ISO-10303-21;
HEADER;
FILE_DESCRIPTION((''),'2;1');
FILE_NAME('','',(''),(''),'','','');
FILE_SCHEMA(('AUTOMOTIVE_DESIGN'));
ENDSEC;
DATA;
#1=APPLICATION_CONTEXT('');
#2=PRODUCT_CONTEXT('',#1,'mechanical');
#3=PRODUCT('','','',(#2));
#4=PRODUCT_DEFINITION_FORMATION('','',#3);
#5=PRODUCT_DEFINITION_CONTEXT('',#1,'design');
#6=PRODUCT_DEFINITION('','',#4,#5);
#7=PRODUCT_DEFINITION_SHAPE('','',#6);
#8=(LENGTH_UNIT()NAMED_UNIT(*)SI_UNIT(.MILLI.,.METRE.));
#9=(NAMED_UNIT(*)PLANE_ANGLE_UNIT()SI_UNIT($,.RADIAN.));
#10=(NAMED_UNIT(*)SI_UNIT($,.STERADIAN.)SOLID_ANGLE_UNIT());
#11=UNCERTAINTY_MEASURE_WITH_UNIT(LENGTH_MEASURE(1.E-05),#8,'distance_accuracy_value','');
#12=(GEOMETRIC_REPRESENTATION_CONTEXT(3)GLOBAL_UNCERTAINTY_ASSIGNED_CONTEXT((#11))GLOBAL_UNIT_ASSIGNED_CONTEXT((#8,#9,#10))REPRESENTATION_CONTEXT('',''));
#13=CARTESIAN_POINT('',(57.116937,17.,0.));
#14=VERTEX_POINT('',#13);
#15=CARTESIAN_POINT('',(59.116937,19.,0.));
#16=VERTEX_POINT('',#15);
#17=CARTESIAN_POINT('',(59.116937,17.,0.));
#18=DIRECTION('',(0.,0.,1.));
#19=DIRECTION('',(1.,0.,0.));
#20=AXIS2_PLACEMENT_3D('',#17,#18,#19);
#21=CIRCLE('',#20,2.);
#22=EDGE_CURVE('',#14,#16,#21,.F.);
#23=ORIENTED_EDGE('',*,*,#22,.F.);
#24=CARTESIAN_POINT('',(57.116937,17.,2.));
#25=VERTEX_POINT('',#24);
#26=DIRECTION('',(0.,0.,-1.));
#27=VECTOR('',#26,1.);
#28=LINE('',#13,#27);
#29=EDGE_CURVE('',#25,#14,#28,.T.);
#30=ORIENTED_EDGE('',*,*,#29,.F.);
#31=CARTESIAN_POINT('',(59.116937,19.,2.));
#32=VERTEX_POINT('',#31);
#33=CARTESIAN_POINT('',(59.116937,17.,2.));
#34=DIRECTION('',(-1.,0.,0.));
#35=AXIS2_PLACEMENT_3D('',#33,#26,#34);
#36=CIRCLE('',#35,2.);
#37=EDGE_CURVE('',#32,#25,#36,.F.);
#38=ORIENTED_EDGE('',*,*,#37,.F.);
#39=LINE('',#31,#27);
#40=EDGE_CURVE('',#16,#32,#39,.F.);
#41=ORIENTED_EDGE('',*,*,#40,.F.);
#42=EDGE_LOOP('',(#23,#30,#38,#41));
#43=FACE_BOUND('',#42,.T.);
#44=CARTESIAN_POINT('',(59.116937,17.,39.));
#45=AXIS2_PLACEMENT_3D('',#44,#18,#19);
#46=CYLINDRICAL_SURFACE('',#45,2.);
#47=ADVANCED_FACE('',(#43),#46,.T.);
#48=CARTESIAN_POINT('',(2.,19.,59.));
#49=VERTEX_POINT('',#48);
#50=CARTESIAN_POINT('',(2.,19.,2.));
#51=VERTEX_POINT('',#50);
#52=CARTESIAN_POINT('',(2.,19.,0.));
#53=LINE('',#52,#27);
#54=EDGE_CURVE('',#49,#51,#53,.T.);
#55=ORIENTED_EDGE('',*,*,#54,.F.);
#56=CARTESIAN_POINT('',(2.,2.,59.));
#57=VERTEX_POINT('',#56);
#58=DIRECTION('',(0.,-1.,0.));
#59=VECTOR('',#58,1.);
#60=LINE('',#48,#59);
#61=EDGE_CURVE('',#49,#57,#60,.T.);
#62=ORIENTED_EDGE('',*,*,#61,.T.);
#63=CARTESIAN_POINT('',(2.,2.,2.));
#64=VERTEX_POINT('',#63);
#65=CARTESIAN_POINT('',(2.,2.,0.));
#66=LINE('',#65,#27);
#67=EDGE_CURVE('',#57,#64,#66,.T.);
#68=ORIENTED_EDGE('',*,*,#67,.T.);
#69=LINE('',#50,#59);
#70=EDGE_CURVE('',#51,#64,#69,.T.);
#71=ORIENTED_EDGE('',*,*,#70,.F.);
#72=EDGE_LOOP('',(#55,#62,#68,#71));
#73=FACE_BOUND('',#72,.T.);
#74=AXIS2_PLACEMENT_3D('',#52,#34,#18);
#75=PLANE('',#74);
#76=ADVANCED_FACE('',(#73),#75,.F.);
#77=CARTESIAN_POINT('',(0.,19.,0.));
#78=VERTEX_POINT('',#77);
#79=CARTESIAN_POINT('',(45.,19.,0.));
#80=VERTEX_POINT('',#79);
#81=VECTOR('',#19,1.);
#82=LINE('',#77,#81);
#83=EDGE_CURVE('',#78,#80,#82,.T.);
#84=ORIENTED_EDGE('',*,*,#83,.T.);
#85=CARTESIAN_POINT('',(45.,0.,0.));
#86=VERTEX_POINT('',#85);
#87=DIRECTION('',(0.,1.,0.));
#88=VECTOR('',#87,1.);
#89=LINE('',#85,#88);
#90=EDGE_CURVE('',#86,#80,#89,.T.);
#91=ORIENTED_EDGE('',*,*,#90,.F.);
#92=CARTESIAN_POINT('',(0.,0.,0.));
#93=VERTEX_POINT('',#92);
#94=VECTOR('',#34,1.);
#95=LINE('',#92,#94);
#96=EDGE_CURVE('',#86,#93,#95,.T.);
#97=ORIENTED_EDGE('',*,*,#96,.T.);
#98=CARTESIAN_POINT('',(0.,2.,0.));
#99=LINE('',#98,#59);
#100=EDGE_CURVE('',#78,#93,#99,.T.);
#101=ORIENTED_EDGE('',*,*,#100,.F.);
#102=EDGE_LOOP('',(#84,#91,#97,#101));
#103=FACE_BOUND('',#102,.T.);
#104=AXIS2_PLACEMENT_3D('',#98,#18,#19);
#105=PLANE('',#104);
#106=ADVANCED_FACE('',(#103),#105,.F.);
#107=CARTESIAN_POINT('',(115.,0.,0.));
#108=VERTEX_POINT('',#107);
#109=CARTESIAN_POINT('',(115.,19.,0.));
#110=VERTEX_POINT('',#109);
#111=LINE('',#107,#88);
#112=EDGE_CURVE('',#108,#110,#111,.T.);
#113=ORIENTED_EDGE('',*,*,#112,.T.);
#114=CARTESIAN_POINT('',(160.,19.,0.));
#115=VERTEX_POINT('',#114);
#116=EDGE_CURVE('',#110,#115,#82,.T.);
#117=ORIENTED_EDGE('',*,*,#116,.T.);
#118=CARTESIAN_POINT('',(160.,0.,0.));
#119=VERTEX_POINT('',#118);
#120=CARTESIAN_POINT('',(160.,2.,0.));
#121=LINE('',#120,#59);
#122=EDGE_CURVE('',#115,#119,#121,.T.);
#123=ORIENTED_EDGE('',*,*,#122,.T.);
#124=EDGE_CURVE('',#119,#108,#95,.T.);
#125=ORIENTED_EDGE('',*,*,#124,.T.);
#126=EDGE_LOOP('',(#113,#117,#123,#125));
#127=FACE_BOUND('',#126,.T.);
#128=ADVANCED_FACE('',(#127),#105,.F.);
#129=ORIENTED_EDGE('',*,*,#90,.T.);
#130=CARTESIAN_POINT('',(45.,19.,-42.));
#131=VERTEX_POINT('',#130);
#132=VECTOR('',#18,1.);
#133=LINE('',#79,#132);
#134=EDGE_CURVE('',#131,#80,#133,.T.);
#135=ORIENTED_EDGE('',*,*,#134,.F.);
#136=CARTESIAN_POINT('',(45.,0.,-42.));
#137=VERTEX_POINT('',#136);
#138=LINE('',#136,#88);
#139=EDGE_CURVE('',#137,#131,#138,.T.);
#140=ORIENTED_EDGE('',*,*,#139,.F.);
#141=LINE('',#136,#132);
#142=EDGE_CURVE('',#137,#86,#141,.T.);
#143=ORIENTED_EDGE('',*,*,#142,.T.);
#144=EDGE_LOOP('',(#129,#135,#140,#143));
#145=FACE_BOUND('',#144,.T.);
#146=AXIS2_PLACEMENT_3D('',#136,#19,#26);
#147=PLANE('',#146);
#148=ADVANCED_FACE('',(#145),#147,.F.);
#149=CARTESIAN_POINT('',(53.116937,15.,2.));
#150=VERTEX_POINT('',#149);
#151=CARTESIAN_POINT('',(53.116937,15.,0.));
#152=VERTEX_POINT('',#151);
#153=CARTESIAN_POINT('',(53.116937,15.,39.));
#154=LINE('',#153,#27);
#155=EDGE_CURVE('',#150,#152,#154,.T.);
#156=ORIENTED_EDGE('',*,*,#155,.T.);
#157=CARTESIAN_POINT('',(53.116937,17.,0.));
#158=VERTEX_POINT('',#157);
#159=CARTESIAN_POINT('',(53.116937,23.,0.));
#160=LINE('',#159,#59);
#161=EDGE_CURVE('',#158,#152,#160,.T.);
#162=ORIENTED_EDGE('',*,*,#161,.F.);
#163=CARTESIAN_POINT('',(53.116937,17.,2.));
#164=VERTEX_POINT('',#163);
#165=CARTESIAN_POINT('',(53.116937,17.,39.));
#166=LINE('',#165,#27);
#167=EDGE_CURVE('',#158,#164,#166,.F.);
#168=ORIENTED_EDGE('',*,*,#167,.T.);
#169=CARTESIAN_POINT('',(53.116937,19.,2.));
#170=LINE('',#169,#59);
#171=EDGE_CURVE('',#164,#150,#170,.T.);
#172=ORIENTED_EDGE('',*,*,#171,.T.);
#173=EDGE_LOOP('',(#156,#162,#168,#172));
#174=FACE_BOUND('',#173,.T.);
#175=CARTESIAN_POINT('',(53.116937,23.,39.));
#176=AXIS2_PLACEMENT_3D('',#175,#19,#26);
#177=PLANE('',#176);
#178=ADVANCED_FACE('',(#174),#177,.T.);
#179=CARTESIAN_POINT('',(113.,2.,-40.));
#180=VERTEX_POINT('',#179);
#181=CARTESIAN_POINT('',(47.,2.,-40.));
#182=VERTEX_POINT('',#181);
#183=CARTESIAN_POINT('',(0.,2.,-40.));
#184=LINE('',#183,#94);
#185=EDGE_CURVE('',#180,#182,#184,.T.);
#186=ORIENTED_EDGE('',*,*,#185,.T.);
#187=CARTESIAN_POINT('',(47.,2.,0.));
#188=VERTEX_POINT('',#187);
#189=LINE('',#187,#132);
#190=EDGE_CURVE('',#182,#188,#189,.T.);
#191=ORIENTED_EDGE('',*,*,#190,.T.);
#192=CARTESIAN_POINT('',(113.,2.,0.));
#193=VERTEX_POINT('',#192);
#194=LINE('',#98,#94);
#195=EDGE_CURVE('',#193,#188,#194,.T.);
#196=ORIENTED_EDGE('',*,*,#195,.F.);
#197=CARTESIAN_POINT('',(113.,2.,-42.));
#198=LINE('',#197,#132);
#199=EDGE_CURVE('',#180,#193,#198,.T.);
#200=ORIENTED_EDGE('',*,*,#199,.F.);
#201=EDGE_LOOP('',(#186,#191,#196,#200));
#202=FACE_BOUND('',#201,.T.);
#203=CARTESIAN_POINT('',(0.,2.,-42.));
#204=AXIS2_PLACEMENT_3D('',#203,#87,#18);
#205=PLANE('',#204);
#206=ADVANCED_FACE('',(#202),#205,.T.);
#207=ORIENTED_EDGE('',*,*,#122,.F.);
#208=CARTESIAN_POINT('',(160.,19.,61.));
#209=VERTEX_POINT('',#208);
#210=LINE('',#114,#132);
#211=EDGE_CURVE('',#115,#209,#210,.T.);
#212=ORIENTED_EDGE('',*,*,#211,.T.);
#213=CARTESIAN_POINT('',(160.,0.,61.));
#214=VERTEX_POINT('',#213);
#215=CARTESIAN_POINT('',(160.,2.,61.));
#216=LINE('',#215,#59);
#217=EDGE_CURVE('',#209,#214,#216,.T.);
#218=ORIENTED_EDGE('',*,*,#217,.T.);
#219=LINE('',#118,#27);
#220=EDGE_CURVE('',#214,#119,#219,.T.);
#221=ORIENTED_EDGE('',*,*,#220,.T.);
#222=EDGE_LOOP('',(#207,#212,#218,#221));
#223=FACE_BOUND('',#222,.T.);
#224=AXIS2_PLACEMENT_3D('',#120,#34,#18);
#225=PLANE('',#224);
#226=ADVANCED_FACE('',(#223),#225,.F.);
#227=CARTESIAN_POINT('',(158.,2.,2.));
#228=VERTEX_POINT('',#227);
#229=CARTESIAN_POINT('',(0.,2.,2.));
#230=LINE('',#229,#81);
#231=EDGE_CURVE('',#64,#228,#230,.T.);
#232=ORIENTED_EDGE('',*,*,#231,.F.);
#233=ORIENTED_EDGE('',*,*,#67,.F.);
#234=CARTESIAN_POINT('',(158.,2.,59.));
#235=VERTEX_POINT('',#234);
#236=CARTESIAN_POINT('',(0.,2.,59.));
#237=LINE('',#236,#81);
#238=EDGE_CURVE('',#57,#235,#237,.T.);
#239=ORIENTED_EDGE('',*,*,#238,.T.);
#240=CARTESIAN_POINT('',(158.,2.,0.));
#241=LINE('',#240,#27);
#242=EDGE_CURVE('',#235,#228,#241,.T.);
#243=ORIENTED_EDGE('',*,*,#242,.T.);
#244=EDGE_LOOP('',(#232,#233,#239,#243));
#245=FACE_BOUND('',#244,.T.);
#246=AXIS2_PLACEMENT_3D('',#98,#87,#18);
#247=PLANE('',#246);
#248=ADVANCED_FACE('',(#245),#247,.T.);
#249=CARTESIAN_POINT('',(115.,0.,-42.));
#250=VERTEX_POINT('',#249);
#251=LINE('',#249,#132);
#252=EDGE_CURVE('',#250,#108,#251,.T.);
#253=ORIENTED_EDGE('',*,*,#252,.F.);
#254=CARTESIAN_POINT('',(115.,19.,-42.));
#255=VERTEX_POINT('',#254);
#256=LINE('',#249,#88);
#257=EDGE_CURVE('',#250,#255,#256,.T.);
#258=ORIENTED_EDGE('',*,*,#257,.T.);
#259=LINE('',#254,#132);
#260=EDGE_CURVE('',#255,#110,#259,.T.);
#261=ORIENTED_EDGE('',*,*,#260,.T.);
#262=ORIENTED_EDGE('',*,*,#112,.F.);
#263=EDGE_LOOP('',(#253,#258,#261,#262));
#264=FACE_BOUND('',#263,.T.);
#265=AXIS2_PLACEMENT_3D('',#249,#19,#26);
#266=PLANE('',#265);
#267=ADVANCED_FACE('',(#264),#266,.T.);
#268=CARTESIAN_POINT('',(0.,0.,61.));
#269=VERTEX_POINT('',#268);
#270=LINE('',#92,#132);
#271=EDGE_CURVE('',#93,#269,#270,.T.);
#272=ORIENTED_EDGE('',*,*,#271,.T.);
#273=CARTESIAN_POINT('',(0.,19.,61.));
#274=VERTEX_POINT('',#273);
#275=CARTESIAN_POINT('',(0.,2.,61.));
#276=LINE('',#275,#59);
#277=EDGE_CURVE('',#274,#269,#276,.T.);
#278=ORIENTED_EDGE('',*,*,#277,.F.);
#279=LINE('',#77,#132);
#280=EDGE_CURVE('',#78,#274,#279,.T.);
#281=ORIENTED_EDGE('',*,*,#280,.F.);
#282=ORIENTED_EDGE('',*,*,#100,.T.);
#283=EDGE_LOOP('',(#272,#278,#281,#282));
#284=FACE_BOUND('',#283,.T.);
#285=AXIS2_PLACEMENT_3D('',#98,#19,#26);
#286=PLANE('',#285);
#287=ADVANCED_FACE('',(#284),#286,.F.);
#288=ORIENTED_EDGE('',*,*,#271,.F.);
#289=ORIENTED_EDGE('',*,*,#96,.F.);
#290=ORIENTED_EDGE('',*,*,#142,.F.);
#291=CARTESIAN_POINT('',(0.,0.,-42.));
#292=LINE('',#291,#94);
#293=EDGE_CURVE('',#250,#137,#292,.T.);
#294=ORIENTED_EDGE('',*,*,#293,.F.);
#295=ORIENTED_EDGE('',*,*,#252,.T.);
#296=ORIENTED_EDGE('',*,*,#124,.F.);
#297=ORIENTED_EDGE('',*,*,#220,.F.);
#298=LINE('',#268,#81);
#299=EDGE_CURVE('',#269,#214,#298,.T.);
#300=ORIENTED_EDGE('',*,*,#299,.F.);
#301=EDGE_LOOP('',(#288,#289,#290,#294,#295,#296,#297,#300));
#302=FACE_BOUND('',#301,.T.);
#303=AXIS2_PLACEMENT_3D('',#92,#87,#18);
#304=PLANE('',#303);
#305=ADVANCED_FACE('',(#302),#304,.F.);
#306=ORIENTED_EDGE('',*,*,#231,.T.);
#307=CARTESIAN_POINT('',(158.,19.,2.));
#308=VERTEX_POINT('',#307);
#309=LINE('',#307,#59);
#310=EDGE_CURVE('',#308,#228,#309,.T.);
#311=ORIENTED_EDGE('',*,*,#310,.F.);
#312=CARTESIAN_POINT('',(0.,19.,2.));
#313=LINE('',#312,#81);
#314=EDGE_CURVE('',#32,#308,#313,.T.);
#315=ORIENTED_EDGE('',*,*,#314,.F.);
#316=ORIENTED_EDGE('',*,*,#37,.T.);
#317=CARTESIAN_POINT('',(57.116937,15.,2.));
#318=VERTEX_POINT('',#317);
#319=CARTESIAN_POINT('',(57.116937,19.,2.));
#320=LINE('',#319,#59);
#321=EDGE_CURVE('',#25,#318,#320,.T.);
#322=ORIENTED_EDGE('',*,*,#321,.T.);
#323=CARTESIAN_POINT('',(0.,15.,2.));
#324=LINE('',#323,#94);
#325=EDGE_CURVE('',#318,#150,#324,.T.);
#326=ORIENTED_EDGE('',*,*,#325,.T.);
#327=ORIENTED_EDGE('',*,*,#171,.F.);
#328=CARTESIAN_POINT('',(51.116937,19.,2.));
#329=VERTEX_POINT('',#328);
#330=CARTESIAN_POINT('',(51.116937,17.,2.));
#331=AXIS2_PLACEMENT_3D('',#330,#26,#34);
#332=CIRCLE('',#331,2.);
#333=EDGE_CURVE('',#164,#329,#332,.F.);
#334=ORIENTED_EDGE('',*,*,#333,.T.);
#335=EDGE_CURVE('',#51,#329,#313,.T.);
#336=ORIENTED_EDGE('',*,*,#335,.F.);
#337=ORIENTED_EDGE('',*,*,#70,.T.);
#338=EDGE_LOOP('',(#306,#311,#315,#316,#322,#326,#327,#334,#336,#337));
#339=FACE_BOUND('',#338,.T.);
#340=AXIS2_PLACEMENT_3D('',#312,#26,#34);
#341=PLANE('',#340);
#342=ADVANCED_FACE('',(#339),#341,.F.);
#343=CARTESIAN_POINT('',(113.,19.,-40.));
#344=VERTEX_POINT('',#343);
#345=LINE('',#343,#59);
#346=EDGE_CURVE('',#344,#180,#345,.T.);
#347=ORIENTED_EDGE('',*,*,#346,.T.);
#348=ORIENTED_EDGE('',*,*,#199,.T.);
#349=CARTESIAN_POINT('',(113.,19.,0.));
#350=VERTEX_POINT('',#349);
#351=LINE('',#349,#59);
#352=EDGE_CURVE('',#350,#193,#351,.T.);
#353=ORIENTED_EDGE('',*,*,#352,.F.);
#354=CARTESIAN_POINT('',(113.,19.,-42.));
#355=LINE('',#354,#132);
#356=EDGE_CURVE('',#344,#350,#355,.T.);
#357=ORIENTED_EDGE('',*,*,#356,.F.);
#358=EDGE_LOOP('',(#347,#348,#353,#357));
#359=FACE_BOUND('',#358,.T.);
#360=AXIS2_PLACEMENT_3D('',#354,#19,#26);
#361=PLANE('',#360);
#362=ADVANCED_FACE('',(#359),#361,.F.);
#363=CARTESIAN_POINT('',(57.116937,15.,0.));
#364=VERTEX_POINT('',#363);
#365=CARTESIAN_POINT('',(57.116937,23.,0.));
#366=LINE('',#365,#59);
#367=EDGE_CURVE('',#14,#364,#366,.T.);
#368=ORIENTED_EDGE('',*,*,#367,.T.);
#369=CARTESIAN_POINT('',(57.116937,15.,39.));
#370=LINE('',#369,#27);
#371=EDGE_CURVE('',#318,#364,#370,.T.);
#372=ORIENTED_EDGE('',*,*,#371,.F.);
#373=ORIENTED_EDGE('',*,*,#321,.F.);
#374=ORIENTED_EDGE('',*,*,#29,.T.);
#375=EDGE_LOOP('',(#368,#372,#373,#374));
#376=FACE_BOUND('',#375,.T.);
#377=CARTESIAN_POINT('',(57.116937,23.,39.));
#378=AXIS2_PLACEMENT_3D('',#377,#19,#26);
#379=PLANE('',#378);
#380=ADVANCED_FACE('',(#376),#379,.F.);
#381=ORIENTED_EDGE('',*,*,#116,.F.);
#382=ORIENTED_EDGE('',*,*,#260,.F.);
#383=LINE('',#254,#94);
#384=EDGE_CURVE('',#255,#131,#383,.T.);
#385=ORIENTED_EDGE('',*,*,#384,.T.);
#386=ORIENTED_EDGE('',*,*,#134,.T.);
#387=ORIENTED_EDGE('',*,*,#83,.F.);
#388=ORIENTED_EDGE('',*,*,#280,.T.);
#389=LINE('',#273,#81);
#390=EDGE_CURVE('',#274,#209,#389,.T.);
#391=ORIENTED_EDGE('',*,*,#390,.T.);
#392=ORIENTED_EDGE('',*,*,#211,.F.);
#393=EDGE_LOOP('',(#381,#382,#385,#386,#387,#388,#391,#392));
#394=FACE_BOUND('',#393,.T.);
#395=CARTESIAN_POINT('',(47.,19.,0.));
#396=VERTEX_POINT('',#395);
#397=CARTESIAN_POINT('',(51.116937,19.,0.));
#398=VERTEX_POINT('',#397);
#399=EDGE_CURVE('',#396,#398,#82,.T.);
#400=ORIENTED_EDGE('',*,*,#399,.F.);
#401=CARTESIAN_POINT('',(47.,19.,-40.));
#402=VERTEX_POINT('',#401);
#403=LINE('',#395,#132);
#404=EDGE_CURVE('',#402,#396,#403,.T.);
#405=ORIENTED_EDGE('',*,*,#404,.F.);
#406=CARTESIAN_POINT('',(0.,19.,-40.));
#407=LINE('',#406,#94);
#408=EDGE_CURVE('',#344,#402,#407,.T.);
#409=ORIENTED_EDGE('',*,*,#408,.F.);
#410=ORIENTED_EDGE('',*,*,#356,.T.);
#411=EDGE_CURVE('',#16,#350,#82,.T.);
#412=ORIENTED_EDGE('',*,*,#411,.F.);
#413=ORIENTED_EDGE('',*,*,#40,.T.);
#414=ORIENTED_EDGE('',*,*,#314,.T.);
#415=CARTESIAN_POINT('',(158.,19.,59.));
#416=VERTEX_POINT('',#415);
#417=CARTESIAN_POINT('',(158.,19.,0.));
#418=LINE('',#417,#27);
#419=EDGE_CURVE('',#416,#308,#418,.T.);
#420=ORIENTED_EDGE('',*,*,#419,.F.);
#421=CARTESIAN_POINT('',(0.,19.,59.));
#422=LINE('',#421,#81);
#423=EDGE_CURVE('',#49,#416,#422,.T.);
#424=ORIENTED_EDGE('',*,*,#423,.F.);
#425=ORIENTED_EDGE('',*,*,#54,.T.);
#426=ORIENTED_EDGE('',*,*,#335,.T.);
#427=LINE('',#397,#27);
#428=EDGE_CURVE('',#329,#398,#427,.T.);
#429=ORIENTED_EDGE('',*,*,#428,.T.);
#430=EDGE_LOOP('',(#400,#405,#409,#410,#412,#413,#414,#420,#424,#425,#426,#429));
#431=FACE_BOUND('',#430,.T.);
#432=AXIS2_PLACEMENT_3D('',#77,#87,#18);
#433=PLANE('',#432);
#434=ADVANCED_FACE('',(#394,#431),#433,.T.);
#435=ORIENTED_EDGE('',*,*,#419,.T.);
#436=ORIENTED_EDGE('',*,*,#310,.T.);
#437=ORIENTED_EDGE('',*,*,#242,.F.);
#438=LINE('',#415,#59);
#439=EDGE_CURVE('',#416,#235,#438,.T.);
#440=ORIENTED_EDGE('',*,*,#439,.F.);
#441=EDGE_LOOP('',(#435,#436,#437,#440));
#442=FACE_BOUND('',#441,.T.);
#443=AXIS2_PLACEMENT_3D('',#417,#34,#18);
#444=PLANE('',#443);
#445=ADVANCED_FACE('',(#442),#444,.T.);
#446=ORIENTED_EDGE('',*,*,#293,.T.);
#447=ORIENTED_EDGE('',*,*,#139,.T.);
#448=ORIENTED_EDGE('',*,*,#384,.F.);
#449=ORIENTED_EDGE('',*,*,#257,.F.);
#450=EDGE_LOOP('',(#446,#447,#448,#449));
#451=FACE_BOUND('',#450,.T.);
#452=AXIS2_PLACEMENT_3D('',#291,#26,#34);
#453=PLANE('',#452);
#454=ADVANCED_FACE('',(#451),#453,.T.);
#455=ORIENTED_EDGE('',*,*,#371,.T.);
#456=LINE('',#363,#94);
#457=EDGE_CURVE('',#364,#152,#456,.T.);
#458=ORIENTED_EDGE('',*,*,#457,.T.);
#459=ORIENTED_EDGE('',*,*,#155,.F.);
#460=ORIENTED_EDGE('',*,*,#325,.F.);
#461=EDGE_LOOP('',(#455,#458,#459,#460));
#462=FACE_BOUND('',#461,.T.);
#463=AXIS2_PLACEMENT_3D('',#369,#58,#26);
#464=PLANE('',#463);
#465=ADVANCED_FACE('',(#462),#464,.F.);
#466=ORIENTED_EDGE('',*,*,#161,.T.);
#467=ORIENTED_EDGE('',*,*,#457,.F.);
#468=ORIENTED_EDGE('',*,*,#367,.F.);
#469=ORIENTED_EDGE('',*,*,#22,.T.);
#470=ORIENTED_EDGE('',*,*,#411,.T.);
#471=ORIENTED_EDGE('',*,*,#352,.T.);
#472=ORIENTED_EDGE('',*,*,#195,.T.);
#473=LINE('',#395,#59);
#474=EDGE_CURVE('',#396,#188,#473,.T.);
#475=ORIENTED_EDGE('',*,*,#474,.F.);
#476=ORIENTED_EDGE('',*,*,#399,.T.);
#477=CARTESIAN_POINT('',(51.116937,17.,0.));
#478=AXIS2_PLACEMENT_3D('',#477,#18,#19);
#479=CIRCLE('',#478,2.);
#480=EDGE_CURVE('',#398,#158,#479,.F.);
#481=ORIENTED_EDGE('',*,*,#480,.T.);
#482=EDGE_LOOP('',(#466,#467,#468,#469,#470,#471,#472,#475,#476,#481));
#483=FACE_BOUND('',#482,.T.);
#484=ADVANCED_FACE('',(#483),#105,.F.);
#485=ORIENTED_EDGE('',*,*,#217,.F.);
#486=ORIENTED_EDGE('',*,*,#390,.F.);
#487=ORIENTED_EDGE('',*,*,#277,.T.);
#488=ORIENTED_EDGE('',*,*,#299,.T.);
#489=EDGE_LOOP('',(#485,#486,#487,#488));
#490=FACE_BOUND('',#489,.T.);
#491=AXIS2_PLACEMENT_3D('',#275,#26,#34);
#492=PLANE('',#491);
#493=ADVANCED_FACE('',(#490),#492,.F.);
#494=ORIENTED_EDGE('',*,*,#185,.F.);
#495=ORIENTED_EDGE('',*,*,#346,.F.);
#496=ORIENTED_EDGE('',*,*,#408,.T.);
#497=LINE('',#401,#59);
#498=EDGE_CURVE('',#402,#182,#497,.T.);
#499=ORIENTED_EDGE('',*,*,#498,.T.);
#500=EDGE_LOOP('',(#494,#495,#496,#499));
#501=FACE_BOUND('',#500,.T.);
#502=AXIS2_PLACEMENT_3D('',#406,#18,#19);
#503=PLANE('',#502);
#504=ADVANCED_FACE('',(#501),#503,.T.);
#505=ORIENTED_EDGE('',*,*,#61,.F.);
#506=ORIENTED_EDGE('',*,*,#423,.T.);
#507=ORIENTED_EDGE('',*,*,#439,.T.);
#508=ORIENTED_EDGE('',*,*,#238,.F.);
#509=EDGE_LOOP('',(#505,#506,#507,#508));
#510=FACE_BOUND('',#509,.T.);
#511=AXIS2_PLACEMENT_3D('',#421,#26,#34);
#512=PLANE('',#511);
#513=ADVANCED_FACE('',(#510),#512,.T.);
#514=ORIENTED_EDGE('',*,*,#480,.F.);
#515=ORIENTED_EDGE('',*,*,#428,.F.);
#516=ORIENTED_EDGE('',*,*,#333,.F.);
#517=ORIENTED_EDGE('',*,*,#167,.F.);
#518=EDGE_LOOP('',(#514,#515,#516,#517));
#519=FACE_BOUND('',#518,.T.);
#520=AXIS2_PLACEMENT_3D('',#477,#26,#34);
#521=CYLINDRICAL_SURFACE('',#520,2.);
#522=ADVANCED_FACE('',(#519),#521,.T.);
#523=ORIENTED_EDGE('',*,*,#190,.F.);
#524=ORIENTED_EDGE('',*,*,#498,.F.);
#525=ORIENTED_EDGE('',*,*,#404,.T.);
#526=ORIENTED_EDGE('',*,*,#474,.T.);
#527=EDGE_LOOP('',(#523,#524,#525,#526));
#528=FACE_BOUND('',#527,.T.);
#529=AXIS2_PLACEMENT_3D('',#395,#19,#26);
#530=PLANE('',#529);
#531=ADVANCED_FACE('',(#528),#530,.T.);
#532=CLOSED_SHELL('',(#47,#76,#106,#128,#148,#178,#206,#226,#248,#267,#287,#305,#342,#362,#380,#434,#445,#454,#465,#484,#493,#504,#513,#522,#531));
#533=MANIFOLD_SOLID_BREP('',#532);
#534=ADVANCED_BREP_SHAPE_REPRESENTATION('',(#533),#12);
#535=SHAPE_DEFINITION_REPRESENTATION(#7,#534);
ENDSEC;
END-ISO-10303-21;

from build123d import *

# Parameters (mm, degrees)
SKETCH1_W           = 160
SKETCH1_H           = 61
BOSS_EXTRUDE1_DEPTH = 2
SKETCH2_W           = 160
SKETCH2_H           = 2
BOSS_EXTRUDE2_DEPTH = 17
SKETCH3_W           = 156
SKETCH3_H           = 2
BOSS_EXTRUDE3_DEPTH = 17
SKETCH4_W           = 70
SKETCH4_H           = 2
BOSS_EXTRUDE4_DEPTH = 42
SKETCH5_W           = 4
SKETCH5_H           = 8
CUT_EXTRUDE1_DEPTH  = 39
FILLET1_R           = 2
SKETCH6_W           = 2
SKETCH6_H           = 42
BOSS_EXTRUDE5_DEPTH = 17
SKETCH9_W           = 66
SKETCH9_H           = 2
BOSS_EXTRUDE6_DEPTH = 17


with BuildPart() as part:
    # Sketch1 → Boss-Extrude1 (new body)
    with BuildSketch(Plane(origin=(0, 0, 0), x_dir=(1, 0, 0), z_dir=(0, 1, 0))):
        with Locations((80, -30.5)):
            Rectangle(SKETCH1_W, SKETCH1_H)
    extrude(amount=BOSS_EXTRUDE1_DEPTH)

    # Sketch2 → Boss-Extrude2 (add)
    with BuildSketch(Plane(origin=(0, 2, 0), x_dir=(1, 0, 0), z_dir=(0, 1, 0))):
        with Locations((80, -1)):
            Rectangle(SKETCH2_W, SKETCH2_H)
    extrude(amount=BOSS_EXTRUDE2_DEPTH)

    # Sketch3 → Boss-Extrude3 (add)
    with BuildSketch(Plane(origin=(0, 2, 0), x_dir=(1, 0, 0), z_dir=(0, 1, 0))):
        Polygon((0, -2), (0, -61), (2, -61), (2, -59), (2, -2), align=None)
        Polygon((158, -59), (158, -61), (160, -61), (160, -2), (158, -2), align=None)
        with Locations((80, -60)):
            Rectangle(SKETCH3_W, SKETCH3_H)
    extrude(amount=BOSS_EXTRUDE3_DEPTH)

    # Sketch4 → Boss-Extrude4 (add)
    with BuildSketch(Plane(origin=(0, 0, 0), x_dir=(-1, 0, 0), z_dir=(0, 0, -1))):
        with Locations((-80, 1)):
            Rectangle(SKETCH4_W, SKETCH4_H)
    extrude(amount=BOSS_EXTRUDE4_DEPTH)

    # Sketch5 → Cut-Extrude1 (cut)
    with BuildSketch(Plane(origin=(0, 0, 0), x_dir=(-1, 0, 0), z_dir=(0, 0, -1))):
        with Locations((-55.116937283, 19)):
            Rectangle(SKETCH5_W, SKETCH5_H)
    extrude(amount=-CUT_EXTRUDE1_DEPTH, mode=Mode.SUBTRACT)

    # Fillet1
    fillet1_edges = [part.edges().sort_by_distance(p)[0] for p in [
        (53.116937283, 19, 1),
        (57.116937283, 19, 1),
    ]]
    fillet(fillet1_edges, radius=FILLET1_R)

    # Sketch6 → Boss-Extrude5 (add)
    with BuildSketch(Plane(origin=(0, 2, 0), x_dir=(1, 0, 0), z_dir=(0, 1, 0))):
        with Locations((114, 21)):
            Rectangle(SKETCH6_W, SKETCH6_H)
    extrude(amount=BOSS_EXTRUDE5_DEPTH)

    # Sketch9 → Boss-Extrude6 (add)
    with BuildSketch(Plane(origin=(0, 2, 0), x_dir=(1, 0, 0), z_dir=(0, 1, 0))):
        Polygon((47, 42), (45, 42), (45, 0), (47, 0), (47, 40), align=None)
        with Locations((80, 41)):
            Rectangle(SKETCH9_W, SKETCH9_H)
    extrude(amount=BOSS_EXTRUDE6_DEPTH)


solid = part.part
